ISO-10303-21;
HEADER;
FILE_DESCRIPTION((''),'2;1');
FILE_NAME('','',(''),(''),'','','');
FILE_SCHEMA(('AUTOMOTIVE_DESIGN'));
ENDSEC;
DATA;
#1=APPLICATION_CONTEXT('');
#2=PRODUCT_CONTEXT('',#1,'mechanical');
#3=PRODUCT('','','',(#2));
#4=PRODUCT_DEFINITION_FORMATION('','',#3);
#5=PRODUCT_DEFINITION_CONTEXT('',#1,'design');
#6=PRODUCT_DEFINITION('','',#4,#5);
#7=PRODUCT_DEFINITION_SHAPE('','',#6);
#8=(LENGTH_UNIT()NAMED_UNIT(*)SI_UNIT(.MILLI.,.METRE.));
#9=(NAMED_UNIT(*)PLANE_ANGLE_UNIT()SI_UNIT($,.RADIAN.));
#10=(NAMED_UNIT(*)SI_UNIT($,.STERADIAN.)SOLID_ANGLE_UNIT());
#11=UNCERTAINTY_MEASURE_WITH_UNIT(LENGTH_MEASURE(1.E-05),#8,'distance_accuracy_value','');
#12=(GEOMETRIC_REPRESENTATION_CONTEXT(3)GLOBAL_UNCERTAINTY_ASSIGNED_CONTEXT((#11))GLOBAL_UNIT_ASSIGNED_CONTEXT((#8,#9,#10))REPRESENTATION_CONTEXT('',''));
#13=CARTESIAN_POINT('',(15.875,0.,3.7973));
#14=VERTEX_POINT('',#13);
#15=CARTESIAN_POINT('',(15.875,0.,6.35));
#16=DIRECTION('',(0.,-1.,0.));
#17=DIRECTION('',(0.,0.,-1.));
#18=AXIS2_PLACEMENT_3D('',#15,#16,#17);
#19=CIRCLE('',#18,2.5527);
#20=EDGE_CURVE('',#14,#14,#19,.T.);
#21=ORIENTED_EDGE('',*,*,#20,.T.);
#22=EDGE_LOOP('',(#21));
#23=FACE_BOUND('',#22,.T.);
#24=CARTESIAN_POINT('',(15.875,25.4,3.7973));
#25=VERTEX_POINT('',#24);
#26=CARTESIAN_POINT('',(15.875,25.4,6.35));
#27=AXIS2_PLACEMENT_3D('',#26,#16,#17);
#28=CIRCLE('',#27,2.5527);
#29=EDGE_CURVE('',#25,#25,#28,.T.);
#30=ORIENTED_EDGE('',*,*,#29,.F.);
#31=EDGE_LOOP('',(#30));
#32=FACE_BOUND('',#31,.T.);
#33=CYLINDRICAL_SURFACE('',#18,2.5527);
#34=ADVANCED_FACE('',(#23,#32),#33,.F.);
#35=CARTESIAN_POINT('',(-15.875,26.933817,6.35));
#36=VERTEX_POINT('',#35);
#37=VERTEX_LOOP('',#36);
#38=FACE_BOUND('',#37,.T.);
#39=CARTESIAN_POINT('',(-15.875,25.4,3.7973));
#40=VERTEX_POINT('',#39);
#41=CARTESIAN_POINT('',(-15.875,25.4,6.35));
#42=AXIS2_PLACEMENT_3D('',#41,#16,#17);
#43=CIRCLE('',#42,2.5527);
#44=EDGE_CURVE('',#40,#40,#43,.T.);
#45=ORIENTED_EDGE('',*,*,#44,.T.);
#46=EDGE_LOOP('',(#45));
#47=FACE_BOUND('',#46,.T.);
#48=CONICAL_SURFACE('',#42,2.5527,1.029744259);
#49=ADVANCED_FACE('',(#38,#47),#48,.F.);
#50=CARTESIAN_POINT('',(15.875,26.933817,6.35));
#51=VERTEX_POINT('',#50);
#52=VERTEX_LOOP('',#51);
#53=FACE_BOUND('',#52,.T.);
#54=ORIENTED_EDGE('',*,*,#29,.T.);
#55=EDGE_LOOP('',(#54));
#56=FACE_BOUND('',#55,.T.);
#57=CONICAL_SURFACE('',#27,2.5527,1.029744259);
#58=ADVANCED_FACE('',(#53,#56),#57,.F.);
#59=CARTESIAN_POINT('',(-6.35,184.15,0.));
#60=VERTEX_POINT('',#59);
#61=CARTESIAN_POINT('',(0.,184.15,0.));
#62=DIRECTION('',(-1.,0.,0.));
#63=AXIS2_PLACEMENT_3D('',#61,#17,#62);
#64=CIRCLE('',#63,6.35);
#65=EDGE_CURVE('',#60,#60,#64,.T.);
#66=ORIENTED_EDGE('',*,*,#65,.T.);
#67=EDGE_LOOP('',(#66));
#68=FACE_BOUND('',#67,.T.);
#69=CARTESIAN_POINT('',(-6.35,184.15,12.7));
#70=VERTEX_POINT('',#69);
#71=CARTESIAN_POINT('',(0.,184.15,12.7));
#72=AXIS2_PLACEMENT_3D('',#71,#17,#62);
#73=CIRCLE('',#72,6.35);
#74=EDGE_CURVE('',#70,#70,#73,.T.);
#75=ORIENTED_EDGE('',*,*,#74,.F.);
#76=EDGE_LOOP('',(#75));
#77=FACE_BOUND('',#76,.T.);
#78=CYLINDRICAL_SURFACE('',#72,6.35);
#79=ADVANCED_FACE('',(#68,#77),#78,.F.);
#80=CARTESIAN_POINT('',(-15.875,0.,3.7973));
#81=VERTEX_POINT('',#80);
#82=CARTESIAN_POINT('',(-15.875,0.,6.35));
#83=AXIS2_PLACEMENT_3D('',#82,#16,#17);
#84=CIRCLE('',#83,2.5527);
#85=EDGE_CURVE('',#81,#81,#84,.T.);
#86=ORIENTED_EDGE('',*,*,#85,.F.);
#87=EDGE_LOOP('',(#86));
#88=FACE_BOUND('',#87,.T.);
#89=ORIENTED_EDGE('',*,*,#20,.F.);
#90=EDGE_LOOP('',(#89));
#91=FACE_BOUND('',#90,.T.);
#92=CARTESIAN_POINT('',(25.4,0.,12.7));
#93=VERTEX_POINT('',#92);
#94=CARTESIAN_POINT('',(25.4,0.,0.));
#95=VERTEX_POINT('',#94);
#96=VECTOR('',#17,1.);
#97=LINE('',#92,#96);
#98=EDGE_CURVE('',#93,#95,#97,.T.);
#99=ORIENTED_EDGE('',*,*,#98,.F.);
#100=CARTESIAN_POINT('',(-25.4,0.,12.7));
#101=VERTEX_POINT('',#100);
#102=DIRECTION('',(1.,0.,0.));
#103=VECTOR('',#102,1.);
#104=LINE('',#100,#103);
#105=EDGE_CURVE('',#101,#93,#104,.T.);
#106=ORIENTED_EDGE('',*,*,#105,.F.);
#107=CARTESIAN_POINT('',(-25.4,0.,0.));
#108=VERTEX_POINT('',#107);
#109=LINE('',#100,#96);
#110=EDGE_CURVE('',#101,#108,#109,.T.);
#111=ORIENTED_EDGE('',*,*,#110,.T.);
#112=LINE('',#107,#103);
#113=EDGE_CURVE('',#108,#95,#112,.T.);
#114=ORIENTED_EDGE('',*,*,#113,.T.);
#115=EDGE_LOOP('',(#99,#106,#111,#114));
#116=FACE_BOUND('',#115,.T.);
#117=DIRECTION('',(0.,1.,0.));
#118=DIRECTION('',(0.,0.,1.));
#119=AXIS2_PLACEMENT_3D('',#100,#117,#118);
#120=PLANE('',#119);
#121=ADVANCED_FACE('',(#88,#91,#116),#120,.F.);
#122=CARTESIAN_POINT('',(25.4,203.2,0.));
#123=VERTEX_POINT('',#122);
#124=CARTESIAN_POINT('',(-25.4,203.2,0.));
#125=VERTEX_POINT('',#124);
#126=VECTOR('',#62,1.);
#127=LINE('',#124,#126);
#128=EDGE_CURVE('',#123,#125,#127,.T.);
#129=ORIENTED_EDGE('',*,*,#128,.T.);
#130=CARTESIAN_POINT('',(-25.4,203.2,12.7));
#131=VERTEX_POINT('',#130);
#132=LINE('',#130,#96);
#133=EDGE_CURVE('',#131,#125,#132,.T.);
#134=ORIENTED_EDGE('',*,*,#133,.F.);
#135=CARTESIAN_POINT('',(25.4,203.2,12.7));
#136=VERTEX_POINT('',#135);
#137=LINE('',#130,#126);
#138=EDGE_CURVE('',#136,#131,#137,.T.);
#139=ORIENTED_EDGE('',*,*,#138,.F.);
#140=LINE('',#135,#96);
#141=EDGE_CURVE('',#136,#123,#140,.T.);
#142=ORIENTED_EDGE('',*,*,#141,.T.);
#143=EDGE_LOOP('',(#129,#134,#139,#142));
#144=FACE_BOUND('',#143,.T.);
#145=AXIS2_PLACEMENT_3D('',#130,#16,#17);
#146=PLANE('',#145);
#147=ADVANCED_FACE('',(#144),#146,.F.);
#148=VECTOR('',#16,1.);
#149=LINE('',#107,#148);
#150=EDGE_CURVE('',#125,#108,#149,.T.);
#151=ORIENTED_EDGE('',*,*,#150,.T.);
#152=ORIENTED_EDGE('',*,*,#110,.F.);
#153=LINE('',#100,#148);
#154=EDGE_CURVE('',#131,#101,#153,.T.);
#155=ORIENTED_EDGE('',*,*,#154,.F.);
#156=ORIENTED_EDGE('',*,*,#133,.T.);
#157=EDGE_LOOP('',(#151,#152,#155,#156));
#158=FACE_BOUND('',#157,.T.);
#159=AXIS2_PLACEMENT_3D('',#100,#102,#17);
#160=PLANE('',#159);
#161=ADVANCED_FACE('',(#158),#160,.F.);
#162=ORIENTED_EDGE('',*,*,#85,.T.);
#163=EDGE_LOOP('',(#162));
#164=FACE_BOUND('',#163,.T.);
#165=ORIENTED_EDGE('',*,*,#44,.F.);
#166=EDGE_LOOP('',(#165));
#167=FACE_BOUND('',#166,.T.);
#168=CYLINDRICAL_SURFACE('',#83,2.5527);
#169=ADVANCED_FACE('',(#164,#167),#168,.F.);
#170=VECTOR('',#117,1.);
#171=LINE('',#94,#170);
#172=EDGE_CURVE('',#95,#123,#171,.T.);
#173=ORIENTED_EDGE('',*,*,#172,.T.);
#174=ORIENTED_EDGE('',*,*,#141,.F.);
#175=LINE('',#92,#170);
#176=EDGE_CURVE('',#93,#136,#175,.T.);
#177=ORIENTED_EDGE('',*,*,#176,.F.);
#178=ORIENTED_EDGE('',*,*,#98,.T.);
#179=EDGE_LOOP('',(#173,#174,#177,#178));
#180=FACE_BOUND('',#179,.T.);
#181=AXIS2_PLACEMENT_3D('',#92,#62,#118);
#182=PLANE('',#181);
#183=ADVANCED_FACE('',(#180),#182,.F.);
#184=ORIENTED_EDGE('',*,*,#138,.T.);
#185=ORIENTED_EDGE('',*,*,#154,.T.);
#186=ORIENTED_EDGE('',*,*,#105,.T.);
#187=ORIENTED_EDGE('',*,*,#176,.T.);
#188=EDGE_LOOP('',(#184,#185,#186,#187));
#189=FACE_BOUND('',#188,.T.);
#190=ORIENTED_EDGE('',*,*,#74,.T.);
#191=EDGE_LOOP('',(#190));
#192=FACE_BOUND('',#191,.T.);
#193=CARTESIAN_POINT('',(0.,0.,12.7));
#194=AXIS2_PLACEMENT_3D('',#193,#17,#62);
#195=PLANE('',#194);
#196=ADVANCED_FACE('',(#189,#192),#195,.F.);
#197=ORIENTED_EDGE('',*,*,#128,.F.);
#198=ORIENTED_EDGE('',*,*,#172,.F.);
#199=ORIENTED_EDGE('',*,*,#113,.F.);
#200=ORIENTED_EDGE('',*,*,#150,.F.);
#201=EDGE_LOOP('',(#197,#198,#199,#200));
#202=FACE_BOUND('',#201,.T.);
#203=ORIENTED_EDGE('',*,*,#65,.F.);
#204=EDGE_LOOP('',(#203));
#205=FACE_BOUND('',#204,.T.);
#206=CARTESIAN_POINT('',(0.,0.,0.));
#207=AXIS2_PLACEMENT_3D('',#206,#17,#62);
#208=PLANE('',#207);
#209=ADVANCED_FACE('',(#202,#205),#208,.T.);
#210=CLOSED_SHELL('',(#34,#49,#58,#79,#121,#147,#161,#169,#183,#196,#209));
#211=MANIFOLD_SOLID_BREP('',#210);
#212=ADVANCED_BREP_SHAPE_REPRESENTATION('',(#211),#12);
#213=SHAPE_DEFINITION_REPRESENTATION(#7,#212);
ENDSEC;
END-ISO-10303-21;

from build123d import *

# Parameters (mm, degrees)
SKETCH1_W                   = 50.8
SKETCH1_H                   = 203.2
BOSS_EXTRUDE1_DEPTH         = 12.7
F_1_4_20_TAPPED_HOLE1_D     = 5.1054
F_1_4_20_TAPPED_HOLE1_DEPTH = 25.4
F_1_4_20_TAPPED_HOLE1_TIP   = 1.533816902
SKETCH4_R                   = 6.35
CUT_EXTRUDE1_DEPTH          = 13.7


with BuildPart() as part:
    # Sketch1 → Boss-Extrude1 (new body)
    with BuildSketch(Plane.XY):
        with Locations((0, 101.6)):
            Rectangle(SKETCH1_W, SKETCH1_H)
    extrude(amount=BOSS_EXTRUDE1_DEPTH)

    # 1/4-20 Tapped Hole1
    with Locations(Plane(origin=(0, 0, 0), x_dir=(-1, 0, 0), z_dir=(0, -1, 0))):
        with Locations((15.875, -6.35), (-15.875, -6.35)):
            Hole(F_1_4_20_TAPPED_HOLE1_D / 2, depth=F_1_4_20_TAPPED_HOLE1_DEPTH)
            with Locations((0, 0, -(F_1_4_20_TAPPED_HOLE1_DEPTH + F_1_4_20_TAPPED_HOLE1_TIP / 2))):  # 118° drill point
                Cone(0, F_1_4_20_TAPPED_HOLE1_D / 2, F_1_4_20_TAPPED_HOLE1_TIP, mode=Mode.SUBTRACT)

    # Sketch4 → Cut-Extrude1 (cut, through all)
    with BuildSketch(Plane(origin=(0, 0, 0), x_dir=(-1, 0, 0), z_dir=(0, 0, -1))):
        with Locations((0, 184.15)):
            Circle(SKETCH4_R)
    extrude(amount=-CUT_EXTRUDE1_DEPTH, mode=Mode.SUBTRACT)


solid = part.part
